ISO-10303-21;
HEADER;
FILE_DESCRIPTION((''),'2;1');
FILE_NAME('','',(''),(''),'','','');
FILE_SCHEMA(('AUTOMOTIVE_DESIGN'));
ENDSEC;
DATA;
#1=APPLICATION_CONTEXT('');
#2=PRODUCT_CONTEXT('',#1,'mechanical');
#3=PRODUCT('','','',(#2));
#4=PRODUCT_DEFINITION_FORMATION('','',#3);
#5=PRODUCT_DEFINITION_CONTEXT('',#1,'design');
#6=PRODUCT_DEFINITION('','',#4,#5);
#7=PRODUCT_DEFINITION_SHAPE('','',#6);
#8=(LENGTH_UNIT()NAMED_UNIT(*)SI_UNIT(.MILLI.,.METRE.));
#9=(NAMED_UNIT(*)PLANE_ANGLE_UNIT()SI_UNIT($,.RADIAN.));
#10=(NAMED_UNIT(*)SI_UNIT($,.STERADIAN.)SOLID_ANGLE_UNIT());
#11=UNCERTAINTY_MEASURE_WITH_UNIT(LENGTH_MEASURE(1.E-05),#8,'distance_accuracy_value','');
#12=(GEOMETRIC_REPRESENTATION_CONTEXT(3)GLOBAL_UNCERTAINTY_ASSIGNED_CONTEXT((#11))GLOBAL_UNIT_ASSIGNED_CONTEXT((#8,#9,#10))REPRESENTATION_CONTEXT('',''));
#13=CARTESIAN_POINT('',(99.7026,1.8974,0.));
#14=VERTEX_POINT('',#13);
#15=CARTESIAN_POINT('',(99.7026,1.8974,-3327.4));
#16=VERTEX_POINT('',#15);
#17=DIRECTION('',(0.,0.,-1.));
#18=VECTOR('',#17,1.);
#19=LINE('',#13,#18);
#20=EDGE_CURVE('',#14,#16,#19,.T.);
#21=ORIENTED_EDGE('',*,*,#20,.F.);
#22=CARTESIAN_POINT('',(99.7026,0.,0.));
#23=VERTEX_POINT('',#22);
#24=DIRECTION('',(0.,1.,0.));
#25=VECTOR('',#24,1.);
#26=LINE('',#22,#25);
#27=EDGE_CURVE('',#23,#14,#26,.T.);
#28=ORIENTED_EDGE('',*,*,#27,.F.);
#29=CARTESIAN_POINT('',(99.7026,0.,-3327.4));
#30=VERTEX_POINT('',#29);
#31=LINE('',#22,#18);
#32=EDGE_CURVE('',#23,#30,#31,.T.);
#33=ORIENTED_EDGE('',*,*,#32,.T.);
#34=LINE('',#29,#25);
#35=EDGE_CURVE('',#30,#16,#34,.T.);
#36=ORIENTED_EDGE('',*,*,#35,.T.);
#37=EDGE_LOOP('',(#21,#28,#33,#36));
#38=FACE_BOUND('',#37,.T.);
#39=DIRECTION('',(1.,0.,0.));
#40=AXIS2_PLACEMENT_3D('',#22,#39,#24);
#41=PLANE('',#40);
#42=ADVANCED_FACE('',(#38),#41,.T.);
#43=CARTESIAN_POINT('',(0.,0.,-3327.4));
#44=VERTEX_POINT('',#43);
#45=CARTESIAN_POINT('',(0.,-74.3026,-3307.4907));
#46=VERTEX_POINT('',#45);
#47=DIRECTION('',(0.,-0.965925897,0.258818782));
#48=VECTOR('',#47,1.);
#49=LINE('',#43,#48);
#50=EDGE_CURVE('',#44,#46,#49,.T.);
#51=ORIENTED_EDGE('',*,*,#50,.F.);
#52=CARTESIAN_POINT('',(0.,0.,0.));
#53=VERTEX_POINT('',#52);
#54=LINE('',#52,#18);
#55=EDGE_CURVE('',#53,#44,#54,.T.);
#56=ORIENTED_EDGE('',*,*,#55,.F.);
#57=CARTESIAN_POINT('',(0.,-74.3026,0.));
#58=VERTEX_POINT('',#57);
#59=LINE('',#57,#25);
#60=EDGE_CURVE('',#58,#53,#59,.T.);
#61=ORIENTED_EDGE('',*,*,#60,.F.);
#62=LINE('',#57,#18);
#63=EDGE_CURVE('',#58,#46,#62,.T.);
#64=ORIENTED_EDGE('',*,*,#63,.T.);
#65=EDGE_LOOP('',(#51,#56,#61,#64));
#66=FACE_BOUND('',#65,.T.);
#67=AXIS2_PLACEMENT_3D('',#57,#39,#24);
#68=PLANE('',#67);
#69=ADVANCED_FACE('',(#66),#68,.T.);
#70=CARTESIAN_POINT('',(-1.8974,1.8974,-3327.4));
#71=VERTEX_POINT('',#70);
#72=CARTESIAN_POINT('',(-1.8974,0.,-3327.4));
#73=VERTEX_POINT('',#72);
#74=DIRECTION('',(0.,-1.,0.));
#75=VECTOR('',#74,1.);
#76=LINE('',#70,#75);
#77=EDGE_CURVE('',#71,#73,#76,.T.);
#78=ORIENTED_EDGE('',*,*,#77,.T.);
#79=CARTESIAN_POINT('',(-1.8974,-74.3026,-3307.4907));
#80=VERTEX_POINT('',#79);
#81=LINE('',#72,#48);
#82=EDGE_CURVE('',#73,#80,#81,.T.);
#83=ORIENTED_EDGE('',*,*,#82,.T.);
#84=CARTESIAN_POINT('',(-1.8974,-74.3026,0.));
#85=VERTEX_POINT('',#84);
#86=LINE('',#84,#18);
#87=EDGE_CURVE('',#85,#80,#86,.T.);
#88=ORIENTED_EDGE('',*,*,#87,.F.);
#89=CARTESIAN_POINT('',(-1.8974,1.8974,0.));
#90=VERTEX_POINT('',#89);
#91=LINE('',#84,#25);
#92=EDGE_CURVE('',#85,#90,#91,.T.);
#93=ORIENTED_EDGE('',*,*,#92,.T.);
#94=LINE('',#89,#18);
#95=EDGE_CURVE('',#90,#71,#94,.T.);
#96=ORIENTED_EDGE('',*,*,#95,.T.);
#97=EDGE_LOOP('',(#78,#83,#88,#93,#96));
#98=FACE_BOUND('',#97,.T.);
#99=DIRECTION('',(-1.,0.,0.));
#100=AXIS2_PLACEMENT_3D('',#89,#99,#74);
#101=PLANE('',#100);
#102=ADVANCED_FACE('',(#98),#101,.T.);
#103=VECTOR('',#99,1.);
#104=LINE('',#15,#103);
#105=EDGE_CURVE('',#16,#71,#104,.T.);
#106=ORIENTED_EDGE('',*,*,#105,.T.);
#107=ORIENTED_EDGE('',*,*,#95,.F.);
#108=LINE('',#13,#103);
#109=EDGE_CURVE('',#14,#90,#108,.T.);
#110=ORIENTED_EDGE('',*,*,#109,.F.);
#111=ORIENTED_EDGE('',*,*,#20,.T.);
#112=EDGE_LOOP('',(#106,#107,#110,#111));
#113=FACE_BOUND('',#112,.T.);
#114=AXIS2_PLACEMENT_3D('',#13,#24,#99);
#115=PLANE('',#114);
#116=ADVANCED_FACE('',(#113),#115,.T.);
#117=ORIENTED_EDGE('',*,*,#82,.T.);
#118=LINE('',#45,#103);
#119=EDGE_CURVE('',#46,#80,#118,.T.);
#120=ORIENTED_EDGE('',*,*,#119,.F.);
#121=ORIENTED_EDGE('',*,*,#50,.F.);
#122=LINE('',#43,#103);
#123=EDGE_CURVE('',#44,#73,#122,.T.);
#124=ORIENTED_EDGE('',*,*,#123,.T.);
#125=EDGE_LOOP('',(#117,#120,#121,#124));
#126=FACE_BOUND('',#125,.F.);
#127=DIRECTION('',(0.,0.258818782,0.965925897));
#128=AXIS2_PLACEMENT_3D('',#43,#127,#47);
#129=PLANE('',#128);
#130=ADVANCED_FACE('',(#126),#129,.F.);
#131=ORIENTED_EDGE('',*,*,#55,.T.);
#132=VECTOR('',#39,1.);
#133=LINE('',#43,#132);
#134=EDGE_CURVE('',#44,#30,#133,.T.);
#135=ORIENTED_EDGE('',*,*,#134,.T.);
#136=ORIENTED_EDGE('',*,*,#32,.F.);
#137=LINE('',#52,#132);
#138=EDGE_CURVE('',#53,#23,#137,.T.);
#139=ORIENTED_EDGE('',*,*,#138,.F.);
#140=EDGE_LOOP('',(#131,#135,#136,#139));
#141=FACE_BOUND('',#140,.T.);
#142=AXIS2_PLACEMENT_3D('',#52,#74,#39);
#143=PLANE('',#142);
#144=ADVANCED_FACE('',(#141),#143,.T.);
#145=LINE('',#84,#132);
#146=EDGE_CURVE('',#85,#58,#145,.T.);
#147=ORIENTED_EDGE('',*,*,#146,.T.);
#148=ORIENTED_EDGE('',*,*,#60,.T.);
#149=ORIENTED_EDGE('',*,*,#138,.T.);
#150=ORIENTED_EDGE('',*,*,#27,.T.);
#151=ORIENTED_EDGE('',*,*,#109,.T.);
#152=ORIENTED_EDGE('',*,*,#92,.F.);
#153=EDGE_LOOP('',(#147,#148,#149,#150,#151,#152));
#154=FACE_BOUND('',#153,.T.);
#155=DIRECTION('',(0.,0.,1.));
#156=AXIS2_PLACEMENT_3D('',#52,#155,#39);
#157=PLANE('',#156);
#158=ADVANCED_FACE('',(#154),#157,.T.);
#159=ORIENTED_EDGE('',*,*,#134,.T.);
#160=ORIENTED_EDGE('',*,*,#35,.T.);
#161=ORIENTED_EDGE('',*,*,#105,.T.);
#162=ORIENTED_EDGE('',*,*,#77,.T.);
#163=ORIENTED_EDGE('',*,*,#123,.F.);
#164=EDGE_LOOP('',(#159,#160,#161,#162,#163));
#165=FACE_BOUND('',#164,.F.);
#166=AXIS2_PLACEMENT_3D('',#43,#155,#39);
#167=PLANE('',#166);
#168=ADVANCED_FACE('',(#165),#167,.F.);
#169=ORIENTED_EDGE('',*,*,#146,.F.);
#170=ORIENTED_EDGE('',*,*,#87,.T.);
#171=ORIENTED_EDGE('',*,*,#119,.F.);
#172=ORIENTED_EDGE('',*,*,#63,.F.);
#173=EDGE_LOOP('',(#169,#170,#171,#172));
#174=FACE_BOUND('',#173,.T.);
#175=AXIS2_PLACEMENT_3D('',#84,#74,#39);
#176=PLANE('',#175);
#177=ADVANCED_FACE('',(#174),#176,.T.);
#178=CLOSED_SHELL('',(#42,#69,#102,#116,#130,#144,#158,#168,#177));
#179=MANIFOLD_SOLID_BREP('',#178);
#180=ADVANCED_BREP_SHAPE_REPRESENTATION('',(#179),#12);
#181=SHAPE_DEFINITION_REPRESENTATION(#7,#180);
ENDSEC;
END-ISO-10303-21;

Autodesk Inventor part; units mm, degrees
ref_plane "YZ Plane" through (0, 0, 0) normal (1, 0, 0) x (0, 1, 0)
ref_plane "XZ Plane" through (0, 0, 0) normal (0, 1, 0) x (-1, 0, 0)
ref_plane "XY Plane" through (0, 0, 0) normal (0, 0, 1) x (1, 0, 0)
sketch "Sketch1" plane through (0, 0, 0) normal (0, 0, 1) x (1, 0, 0)
  line L0 (-1.8974, -23.3494) -> (-1.8974, -74.3026)
  line L1 (-1.8974, -74.3026) -> (0, -74.3026)
  line L2 (0, -74.3026) -> (0, 0)
  line L3 (0, 0) -> (99.7026, 0)
  line L4 (99.7026, 0) -> (99.7026, 1.8974)
  line L5 (99.7026, 1.8974) -> (-1.8974, 1.8974)
  line L6 (-1.8974, 1.8974) -> (-1.8974, -23.3494)
  dimension "d0" = 101.6
  dimension "d1" = 76.2
  dimension "d2" = 1.8974
  dimension "d3" = 1.8974
extrude "Extrusion1" add sketch "Sketch1" against normal blind 3327.4
sketch "Sketch2" plane through (0, -74.3026, 0) normal (1, 0, 0) x (0, 0, -1)
  line L0 (3327.4, 74.3026) -> (3327.4, 0) projected
  line L1 (3327.4, 74.3026) -> (3307.4907, 0)
  line L2 (3307.4907, 0) -> (3327.4, 0)
  line L3 (3327.4, 0) -> (3327.4, 74.3026)
  point P0 (0, 74.3026)
  dimension "d6" = 15
extrude "Extrusion2" cut sketch "Sketch2" against normal up to next
properties part number "Angle--Front"
